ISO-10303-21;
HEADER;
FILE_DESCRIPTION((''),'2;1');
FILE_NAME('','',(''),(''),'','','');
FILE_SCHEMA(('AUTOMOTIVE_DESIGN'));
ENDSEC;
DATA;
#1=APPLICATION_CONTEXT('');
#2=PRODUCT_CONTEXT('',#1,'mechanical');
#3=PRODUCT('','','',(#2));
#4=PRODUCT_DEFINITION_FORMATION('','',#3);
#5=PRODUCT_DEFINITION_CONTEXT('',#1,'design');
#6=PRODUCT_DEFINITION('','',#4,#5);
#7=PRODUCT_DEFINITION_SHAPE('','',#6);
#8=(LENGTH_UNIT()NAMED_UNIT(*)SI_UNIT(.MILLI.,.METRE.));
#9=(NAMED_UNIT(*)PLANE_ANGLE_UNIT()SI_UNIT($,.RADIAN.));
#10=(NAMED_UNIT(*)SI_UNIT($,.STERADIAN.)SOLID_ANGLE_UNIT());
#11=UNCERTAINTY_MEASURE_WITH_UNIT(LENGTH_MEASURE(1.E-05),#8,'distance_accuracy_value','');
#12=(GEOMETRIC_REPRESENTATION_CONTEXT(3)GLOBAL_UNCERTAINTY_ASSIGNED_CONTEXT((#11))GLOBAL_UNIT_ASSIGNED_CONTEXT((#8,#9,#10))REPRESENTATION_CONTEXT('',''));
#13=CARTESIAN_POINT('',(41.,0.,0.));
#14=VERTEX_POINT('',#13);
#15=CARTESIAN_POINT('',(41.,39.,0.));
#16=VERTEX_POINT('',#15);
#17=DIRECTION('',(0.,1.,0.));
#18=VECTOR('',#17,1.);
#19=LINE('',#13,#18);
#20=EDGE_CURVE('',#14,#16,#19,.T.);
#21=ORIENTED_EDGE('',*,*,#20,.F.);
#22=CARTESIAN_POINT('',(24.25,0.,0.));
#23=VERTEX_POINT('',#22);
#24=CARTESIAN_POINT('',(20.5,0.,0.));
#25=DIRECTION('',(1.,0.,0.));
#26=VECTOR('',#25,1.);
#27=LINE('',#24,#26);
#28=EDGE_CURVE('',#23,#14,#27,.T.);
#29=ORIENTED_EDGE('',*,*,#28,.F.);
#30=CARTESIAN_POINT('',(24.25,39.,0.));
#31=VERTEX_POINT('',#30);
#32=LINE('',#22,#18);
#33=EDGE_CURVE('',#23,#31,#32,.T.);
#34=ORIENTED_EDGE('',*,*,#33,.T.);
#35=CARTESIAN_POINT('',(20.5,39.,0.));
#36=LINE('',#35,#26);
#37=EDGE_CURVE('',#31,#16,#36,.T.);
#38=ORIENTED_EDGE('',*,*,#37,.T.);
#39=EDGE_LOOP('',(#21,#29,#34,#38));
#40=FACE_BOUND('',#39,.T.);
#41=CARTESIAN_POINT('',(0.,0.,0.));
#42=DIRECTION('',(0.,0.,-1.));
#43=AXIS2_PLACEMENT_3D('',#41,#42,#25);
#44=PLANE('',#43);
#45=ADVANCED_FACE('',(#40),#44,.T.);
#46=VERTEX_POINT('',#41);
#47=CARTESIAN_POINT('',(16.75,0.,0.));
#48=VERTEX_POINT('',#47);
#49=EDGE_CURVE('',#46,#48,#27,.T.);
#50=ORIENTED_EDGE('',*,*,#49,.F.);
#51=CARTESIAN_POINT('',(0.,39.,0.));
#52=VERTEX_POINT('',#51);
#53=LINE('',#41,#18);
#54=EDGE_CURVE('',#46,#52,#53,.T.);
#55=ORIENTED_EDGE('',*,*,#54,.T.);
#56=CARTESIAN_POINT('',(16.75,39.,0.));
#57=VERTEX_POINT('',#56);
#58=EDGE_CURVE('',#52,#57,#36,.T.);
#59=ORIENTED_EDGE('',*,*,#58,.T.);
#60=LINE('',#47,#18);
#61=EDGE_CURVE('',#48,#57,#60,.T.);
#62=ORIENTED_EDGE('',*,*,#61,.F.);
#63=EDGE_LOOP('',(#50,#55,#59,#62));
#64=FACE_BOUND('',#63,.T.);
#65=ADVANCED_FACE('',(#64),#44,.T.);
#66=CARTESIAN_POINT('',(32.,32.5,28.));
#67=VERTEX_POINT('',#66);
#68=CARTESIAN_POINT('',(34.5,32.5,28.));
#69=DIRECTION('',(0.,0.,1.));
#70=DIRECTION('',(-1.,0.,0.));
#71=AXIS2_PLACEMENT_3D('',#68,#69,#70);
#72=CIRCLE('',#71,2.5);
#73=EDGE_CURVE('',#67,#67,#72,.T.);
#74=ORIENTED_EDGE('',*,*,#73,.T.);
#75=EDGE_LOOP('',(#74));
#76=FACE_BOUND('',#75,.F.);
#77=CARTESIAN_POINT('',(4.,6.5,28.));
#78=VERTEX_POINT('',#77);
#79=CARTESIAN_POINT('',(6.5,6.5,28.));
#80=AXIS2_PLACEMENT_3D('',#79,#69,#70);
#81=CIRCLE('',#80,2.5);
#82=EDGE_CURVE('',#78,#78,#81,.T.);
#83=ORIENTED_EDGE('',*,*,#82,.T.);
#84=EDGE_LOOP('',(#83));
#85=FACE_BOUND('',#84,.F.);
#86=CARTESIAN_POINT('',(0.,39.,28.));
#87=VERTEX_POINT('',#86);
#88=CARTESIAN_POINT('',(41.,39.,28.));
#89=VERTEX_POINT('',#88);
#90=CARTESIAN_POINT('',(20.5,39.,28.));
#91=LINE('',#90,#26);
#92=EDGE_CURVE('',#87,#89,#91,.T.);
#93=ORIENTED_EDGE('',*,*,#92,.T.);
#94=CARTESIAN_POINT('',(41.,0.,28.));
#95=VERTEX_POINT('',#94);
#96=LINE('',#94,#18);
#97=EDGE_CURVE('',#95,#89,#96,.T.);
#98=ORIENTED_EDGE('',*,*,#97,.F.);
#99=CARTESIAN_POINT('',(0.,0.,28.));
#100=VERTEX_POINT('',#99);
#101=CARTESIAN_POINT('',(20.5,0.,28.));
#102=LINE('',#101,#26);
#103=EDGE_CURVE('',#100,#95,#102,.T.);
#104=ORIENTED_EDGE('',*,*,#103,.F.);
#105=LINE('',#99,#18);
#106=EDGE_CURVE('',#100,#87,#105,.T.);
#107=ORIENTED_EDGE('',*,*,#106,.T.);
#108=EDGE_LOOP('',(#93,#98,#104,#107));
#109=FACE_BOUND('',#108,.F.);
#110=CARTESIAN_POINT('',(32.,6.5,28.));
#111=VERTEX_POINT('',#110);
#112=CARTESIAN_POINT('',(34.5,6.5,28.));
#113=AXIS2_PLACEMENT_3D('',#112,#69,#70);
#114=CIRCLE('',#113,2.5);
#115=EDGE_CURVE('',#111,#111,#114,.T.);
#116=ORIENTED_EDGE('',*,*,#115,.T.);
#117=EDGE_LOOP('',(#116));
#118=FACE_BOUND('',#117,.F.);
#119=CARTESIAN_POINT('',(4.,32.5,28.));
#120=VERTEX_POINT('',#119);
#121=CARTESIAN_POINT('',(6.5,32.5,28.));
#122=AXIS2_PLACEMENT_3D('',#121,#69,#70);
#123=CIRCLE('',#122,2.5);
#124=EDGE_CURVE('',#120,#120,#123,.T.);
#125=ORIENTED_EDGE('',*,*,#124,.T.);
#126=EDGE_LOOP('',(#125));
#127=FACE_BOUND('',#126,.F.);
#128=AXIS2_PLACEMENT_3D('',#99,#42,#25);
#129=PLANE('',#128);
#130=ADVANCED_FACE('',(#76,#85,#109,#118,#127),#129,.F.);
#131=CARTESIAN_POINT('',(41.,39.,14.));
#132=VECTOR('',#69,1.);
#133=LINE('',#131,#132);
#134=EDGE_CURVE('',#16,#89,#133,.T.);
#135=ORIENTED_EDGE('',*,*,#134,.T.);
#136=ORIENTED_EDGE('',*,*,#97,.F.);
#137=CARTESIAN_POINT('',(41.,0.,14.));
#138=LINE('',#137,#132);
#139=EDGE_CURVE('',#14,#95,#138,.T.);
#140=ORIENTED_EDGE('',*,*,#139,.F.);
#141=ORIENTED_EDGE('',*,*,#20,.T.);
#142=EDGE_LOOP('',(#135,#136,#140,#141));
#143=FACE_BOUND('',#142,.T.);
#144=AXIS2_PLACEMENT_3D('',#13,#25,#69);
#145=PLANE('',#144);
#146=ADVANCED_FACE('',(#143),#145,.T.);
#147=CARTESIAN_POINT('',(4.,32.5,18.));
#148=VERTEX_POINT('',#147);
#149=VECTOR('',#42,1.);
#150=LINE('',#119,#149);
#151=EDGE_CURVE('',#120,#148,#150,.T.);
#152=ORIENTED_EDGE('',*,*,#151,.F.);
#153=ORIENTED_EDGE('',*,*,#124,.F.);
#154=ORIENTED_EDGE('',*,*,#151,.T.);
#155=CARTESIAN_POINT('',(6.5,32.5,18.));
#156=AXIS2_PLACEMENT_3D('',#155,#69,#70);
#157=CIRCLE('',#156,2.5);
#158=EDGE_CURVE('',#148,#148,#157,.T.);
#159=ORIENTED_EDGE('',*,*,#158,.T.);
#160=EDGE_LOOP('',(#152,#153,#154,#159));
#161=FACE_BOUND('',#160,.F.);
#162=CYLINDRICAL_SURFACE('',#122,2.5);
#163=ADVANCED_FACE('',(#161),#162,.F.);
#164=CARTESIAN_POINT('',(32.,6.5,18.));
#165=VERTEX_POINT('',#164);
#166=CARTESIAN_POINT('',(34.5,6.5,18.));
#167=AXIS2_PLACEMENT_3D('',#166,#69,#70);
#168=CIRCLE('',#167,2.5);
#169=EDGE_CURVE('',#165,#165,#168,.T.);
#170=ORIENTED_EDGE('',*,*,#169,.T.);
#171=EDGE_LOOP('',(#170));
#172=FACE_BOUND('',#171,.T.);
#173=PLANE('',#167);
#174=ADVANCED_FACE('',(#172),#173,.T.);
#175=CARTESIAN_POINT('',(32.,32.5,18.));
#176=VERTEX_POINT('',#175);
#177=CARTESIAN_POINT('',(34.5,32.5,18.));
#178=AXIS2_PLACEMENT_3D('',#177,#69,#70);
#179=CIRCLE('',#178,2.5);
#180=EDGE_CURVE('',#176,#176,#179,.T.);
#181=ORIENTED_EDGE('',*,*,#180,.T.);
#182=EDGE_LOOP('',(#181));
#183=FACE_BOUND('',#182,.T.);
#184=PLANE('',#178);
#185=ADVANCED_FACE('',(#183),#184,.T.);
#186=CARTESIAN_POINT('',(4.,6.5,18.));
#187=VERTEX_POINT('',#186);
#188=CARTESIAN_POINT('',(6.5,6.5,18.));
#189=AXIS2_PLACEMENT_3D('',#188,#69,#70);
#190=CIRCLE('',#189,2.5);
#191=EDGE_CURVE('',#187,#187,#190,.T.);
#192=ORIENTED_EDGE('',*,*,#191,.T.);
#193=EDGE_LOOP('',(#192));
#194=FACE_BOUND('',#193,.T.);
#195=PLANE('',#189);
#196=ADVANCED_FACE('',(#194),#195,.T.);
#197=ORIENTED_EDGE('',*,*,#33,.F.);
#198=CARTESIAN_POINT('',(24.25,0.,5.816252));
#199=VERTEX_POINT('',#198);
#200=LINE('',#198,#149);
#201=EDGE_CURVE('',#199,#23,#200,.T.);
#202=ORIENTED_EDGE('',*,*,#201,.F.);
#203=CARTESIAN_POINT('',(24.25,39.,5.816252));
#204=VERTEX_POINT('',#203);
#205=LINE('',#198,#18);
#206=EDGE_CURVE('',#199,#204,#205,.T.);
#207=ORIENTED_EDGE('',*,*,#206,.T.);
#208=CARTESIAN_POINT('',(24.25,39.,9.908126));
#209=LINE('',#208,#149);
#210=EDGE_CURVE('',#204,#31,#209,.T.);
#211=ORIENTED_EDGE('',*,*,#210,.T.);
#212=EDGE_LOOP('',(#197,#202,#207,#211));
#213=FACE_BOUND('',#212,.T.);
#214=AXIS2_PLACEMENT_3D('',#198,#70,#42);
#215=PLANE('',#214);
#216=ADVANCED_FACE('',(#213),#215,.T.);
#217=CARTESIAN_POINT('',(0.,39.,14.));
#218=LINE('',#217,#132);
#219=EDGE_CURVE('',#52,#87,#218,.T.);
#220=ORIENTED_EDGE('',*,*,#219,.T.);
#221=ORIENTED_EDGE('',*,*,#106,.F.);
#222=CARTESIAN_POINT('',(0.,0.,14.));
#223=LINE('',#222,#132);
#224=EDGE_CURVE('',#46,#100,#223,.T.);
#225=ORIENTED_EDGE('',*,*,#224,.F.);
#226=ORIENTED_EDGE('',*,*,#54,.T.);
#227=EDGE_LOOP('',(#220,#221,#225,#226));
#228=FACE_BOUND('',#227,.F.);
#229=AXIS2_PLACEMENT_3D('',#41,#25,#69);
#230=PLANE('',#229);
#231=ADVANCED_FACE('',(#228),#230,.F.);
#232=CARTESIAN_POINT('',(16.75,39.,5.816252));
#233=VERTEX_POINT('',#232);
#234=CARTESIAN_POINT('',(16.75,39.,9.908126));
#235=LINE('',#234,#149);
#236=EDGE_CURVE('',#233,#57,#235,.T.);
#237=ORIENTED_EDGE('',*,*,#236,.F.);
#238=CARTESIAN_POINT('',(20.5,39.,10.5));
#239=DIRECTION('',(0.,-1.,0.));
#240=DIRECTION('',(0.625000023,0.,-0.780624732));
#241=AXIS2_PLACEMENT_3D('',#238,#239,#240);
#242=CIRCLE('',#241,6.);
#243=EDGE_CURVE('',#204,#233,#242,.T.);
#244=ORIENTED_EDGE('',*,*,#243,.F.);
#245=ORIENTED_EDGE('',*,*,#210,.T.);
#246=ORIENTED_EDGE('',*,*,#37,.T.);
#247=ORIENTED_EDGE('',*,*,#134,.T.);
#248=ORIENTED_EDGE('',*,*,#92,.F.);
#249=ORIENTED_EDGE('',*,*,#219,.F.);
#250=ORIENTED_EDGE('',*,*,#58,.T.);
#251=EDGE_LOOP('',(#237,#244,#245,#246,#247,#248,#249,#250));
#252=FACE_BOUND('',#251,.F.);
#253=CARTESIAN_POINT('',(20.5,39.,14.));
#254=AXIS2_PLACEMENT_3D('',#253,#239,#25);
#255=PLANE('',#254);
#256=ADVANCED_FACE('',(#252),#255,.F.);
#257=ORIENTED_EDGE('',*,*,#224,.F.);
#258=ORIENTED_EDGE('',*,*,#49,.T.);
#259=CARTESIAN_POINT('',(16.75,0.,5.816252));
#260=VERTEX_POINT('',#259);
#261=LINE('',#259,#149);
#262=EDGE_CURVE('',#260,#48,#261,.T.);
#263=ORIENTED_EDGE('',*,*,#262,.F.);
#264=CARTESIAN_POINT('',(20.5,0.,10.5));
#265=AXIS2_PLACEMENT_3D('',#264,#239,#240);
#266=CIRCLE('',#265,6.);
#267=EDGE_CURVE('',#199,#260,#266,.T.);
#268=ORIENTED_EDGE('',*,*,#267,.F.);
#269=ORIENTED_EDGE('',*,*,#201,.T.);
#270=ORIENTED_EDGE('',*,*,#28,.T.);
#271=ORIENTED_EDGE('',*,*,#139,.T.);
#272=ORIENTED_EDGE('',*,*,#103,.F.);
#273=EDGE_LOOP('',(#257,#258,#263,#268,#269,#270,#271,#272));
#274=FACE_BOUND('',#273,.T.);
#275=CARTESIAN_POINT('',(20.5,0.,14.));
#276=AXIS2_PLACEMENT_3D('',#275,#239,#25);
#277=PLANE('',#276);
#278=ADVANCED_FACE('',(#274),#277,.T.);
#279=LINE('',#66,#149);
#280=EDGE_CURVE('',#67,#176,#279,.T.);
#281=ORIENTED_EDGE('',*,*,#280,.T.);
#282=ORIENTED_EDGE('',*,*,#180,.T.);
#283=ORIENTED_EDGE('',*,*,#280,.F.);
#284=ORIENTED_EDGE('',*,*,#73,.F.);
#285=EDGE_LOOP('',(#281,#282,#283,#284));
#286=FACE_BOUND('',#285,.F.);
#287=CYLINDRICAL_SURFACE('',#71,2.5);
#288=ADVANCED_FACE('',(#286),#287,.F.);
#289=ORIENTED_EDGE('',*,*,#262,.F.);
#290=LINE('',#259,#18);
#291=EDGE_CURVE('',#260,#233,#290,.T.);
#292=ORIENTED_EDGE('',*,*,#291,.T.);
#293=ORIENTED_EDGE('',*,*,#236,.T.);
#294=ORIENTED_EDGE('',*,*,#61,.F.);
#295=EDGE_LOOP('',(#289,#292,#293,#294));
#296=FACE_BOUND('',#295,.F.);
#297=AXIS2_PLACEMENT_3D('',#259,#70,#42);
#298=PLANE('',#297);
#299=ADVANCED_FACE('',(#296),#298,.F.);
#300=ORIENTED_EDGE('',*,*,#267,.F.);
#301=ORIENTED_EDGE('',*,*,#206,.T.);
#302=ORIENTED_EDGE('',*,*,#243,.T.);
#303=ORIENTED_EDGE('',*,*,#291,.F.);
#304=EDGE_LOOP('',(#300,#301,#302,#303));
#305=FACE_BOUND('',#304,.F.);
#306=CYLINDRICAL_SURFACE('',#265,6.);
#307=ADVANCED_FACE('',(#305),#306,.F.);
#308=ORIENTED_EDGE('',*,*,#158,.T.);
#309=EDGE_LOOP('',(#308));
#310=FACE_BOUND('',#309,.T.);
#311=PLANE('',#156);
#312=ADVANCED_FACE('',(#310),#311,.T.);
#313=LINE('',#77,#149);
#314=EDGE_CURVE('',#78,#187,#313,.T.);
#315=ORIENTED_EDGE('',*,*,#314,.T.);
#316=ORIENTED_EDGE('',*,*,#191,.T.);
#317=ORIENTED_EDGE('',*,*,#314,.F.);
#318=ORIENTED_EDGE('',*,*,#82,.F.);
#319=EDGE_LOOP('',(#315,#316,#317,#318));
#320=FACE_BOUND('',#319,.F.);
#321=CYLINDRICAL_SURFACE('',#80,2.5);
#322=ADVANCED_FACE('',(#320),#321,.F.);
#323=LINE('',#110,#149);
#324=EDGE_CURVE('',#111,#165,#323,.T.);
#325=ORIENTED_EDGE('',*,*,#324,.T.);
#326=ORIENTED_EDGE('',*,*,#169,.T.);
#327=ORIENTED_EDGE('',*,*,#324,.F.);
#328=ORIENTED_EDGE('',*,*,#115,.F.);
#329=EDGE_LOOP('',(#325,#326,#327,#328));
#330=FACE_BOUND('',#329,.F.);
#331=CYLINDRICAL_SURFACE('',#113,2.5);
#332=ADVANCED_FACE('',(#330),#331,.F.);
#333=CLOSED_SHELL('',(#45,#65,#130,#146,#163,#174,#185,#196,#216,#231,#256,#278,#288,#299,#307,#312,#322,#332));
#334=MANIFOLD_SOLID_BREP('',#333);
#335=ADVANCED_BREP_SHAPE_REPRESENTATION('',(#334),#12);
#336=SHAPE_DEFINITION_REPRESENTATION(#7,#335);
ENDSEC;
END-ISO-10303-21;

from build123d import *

# Parameters (mm, degrees)
SKETCH_W        = 41
SKETCH_H        = 28
PAD_DEPTH       = 39
POCKET_DEPTH    = 39.001
SKETCH002_R     = 2.5
POCKET001_DEPTH = 10


with BuildPart() as part:
    # Sketch → Pad (new body)
    with BuildSketch(Plane.XZ):
        with Locations((20.5, 14)):
            Rectangle(SKETCH_W, SKETCH_H)
    extrude(amount=-PAD_DEPTH)

    # Sketch001 → Pocket (cut, through all)
    with BuildSketch(Plane.XZ):
        with BuildLine():
            ThreePointArc((24.25, 5.816252), (20.5, 16.5), (16.75, 5.816252))
            Line((16.75, 5.816252), (16.75, 0))
            Line((16.75, 0), (24.25, 0))
            Line((24.25, 5.816252), (24.25, 0))
        make_face()
    extrude(amount=-POCKET_DEPTH, mode=Mode.SUBTRACT)

    # Sketch002 → Pocket001 (cut)
    with BuildSketch(Plane(origin=(0, 0, 28), x_dir=(-1, 0, 0), z_dir=(0, 0, 1))):
        with Locations((-34.5, -6.5)):
            Circle(SKETCH002_R)
        with Locations((-6.5, -6.5)):
            Circle(SKETCH002_R)
        with Locations((-34.5, -32.5)):
            Circle(SKETCH002_R)
        with Locations((-6.5, -32.5)):
            Circle(SKETCH002_R)
    extrude(amount=-POCKET001_DEPTH, mode=Mode.SUBTRACT)


solid = part.part
